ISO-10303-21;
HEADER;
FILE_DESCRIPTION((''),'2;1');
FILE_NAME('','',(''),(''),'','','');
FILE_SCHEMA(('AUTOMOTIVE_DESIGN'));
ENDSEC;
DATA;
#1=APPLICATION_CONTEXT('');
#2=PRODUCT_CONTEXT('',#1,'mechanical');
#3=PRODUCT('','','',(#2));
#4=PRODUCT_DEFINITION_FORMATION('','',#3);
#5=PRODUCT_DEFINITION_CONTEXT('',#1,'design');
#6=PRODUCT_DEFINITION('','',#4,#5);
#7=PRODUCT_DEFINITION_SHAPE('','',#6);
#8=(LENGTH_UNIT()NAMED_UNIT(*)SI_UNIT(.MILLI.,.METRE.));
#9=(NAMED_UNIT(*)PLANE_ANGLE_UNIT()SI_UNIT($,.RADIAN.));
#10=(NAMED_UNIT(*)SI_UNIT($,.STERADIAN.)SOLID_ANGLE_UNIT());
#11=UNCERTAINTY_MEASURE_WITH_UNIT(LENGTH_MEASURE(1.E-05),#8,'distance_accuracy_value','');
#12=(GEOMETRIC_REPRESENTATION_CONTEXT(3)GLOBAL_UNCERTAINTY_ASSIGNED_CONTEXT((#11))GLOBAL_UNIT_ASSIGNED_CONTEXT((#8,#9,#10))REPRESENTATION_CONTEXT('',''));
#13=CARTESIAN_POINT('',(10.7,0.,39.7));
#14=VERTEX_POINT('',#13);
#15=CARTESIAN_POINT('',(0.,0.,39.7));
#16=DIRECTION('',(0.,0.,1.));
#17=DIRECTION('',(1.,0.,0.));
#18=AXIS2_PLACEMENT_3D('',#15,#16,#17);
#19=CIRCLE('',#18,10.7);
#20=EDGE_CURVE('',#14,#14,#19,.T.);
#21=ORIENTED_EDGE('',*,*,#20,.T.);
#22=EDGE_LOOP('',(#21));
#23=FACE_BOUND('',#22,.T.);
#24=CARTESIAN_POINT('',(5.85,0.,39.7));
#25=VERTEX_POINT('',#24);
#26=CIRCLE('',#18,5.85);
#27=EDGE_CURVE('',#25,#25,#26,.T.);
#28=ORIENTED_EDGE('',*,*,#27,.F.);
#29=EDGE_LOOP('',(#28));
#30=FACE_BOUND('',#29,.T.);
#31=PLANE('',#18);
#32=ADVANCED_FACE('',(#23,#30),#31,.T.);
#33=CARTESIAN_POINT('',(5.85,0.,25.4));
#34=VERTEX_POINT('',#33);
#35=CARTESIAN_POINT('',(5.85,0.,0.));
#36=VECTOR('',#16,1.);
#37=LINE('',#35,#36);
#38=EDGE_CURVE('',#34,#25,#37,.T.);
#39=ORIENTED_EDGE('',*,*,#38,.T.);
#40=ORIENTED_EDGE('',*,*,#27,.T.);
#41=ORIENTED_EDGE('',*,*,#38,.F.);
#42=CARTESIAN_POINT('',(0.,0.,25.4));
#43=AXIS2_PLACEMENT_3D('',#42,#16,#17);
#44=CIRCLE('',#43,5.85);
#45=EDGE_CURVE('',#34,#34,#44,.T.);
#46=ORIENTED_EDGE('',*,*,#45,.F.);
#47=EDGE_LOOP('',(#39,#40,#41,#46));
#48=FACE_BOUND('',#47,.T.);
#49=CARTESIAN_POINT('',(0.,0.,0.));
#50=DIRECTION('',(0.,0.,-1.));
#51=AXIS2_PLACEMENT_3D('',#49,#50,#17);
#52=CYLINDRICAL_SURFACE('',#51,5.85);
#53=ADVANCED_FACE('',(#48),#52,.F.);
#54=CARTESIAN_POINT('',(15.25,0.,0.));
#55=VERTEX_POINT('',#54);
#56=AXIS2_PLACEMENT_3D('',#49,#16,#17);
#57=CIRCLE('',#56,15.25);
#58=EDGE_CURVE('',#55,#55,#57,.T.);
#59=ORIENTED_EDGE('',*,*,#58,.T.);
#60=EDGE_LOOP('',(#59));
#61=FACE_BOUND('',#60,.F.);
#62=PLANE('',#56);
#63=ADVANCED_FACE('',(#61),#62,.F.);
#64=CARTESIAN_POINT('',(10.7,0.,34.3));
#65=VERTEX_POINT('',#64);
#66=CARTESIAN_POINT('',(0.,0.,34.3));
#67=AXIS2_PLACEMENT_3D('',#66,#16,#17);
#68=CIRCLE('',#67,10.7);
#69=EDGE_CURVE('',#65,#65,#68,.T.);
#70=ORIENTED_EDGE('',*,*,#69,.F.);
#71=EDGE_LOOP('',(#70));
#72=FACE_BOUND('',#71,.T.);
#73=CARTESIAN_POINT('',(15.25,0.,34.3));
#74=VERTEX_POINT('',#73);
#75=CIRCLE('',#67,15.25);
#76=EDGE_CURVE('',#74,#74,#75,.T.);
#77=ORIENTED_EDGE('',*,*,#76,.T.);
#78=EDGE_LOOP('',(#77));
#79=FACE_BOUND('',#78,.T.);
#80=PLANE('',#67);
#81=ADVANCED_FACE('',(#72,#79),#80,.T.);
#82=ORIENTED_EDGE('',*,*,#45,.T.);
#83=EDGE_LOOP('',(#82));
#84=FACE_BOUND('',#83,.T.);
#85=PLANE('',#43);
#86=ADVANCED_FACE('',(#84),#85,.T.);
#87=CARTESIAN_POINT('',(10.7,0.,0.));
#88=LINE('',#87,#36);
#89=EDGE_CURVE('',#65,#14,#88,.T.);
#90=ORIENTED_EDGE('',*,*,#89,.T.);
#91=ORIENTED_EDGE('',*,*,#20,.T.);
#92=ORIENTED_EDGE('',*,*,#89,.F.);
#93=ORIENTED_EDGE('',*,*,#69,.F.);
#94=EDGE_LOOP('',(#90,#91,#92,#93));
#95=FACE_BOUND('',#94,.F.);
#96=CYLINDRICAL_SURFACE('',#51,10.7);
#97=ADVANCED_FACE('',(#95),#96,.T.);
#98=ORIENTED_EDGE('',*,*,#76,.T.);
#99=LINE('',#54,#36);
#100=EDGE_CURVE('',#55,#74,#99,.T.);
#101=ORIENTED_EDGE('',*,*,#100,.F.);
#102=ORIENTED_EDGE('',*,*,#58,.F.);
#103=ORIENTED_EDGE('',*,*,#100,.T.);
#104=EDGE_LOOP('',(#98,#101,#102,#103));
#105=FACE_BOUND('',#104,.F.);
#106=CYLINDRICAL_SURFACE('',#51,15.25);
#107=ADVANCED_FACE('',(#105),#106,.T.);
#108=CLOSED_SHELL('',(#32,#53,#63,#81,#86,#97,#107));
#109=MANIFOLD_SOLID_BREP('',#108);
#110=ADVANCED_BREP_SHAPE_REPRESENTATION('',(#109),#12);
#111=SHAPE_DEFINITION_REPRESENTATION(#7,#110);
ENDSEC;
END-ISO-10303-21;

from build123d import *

# Parameters (mm, degrees)
F0_R     = 15.25
F0_R_2   = 10.7
F1_DEPTH = 34.3
F0_R_3   = 5.85
F2_DEPTH = 39.7
F3_DEPTH = 25.4


with BuildPart() as f1:
    # F0 (on Top) → F1 (new body)
    with BuildSketch(Plane.XY):
        Circle(F0_R)
        Circle(F0_R_2, mode=Mode.SUBTRACT)
    extrude(amount=F1_DEPTH)

    # F0 (on Top) → F2 (join)
    with BuildSketch(Plane.XY):
        Circle(F0_R_2)
        Circle(F0_R_3, mode=Mode.SUBTRACT)
    extrude(amount=F2_DEPTH)

    # F0 (on Top) → F3 (join)
    with BuildSketch(Plane.XY):
        Circle(F0_R_3)
    extrude(amount=F3_DEPTH)


solid = f1.part
